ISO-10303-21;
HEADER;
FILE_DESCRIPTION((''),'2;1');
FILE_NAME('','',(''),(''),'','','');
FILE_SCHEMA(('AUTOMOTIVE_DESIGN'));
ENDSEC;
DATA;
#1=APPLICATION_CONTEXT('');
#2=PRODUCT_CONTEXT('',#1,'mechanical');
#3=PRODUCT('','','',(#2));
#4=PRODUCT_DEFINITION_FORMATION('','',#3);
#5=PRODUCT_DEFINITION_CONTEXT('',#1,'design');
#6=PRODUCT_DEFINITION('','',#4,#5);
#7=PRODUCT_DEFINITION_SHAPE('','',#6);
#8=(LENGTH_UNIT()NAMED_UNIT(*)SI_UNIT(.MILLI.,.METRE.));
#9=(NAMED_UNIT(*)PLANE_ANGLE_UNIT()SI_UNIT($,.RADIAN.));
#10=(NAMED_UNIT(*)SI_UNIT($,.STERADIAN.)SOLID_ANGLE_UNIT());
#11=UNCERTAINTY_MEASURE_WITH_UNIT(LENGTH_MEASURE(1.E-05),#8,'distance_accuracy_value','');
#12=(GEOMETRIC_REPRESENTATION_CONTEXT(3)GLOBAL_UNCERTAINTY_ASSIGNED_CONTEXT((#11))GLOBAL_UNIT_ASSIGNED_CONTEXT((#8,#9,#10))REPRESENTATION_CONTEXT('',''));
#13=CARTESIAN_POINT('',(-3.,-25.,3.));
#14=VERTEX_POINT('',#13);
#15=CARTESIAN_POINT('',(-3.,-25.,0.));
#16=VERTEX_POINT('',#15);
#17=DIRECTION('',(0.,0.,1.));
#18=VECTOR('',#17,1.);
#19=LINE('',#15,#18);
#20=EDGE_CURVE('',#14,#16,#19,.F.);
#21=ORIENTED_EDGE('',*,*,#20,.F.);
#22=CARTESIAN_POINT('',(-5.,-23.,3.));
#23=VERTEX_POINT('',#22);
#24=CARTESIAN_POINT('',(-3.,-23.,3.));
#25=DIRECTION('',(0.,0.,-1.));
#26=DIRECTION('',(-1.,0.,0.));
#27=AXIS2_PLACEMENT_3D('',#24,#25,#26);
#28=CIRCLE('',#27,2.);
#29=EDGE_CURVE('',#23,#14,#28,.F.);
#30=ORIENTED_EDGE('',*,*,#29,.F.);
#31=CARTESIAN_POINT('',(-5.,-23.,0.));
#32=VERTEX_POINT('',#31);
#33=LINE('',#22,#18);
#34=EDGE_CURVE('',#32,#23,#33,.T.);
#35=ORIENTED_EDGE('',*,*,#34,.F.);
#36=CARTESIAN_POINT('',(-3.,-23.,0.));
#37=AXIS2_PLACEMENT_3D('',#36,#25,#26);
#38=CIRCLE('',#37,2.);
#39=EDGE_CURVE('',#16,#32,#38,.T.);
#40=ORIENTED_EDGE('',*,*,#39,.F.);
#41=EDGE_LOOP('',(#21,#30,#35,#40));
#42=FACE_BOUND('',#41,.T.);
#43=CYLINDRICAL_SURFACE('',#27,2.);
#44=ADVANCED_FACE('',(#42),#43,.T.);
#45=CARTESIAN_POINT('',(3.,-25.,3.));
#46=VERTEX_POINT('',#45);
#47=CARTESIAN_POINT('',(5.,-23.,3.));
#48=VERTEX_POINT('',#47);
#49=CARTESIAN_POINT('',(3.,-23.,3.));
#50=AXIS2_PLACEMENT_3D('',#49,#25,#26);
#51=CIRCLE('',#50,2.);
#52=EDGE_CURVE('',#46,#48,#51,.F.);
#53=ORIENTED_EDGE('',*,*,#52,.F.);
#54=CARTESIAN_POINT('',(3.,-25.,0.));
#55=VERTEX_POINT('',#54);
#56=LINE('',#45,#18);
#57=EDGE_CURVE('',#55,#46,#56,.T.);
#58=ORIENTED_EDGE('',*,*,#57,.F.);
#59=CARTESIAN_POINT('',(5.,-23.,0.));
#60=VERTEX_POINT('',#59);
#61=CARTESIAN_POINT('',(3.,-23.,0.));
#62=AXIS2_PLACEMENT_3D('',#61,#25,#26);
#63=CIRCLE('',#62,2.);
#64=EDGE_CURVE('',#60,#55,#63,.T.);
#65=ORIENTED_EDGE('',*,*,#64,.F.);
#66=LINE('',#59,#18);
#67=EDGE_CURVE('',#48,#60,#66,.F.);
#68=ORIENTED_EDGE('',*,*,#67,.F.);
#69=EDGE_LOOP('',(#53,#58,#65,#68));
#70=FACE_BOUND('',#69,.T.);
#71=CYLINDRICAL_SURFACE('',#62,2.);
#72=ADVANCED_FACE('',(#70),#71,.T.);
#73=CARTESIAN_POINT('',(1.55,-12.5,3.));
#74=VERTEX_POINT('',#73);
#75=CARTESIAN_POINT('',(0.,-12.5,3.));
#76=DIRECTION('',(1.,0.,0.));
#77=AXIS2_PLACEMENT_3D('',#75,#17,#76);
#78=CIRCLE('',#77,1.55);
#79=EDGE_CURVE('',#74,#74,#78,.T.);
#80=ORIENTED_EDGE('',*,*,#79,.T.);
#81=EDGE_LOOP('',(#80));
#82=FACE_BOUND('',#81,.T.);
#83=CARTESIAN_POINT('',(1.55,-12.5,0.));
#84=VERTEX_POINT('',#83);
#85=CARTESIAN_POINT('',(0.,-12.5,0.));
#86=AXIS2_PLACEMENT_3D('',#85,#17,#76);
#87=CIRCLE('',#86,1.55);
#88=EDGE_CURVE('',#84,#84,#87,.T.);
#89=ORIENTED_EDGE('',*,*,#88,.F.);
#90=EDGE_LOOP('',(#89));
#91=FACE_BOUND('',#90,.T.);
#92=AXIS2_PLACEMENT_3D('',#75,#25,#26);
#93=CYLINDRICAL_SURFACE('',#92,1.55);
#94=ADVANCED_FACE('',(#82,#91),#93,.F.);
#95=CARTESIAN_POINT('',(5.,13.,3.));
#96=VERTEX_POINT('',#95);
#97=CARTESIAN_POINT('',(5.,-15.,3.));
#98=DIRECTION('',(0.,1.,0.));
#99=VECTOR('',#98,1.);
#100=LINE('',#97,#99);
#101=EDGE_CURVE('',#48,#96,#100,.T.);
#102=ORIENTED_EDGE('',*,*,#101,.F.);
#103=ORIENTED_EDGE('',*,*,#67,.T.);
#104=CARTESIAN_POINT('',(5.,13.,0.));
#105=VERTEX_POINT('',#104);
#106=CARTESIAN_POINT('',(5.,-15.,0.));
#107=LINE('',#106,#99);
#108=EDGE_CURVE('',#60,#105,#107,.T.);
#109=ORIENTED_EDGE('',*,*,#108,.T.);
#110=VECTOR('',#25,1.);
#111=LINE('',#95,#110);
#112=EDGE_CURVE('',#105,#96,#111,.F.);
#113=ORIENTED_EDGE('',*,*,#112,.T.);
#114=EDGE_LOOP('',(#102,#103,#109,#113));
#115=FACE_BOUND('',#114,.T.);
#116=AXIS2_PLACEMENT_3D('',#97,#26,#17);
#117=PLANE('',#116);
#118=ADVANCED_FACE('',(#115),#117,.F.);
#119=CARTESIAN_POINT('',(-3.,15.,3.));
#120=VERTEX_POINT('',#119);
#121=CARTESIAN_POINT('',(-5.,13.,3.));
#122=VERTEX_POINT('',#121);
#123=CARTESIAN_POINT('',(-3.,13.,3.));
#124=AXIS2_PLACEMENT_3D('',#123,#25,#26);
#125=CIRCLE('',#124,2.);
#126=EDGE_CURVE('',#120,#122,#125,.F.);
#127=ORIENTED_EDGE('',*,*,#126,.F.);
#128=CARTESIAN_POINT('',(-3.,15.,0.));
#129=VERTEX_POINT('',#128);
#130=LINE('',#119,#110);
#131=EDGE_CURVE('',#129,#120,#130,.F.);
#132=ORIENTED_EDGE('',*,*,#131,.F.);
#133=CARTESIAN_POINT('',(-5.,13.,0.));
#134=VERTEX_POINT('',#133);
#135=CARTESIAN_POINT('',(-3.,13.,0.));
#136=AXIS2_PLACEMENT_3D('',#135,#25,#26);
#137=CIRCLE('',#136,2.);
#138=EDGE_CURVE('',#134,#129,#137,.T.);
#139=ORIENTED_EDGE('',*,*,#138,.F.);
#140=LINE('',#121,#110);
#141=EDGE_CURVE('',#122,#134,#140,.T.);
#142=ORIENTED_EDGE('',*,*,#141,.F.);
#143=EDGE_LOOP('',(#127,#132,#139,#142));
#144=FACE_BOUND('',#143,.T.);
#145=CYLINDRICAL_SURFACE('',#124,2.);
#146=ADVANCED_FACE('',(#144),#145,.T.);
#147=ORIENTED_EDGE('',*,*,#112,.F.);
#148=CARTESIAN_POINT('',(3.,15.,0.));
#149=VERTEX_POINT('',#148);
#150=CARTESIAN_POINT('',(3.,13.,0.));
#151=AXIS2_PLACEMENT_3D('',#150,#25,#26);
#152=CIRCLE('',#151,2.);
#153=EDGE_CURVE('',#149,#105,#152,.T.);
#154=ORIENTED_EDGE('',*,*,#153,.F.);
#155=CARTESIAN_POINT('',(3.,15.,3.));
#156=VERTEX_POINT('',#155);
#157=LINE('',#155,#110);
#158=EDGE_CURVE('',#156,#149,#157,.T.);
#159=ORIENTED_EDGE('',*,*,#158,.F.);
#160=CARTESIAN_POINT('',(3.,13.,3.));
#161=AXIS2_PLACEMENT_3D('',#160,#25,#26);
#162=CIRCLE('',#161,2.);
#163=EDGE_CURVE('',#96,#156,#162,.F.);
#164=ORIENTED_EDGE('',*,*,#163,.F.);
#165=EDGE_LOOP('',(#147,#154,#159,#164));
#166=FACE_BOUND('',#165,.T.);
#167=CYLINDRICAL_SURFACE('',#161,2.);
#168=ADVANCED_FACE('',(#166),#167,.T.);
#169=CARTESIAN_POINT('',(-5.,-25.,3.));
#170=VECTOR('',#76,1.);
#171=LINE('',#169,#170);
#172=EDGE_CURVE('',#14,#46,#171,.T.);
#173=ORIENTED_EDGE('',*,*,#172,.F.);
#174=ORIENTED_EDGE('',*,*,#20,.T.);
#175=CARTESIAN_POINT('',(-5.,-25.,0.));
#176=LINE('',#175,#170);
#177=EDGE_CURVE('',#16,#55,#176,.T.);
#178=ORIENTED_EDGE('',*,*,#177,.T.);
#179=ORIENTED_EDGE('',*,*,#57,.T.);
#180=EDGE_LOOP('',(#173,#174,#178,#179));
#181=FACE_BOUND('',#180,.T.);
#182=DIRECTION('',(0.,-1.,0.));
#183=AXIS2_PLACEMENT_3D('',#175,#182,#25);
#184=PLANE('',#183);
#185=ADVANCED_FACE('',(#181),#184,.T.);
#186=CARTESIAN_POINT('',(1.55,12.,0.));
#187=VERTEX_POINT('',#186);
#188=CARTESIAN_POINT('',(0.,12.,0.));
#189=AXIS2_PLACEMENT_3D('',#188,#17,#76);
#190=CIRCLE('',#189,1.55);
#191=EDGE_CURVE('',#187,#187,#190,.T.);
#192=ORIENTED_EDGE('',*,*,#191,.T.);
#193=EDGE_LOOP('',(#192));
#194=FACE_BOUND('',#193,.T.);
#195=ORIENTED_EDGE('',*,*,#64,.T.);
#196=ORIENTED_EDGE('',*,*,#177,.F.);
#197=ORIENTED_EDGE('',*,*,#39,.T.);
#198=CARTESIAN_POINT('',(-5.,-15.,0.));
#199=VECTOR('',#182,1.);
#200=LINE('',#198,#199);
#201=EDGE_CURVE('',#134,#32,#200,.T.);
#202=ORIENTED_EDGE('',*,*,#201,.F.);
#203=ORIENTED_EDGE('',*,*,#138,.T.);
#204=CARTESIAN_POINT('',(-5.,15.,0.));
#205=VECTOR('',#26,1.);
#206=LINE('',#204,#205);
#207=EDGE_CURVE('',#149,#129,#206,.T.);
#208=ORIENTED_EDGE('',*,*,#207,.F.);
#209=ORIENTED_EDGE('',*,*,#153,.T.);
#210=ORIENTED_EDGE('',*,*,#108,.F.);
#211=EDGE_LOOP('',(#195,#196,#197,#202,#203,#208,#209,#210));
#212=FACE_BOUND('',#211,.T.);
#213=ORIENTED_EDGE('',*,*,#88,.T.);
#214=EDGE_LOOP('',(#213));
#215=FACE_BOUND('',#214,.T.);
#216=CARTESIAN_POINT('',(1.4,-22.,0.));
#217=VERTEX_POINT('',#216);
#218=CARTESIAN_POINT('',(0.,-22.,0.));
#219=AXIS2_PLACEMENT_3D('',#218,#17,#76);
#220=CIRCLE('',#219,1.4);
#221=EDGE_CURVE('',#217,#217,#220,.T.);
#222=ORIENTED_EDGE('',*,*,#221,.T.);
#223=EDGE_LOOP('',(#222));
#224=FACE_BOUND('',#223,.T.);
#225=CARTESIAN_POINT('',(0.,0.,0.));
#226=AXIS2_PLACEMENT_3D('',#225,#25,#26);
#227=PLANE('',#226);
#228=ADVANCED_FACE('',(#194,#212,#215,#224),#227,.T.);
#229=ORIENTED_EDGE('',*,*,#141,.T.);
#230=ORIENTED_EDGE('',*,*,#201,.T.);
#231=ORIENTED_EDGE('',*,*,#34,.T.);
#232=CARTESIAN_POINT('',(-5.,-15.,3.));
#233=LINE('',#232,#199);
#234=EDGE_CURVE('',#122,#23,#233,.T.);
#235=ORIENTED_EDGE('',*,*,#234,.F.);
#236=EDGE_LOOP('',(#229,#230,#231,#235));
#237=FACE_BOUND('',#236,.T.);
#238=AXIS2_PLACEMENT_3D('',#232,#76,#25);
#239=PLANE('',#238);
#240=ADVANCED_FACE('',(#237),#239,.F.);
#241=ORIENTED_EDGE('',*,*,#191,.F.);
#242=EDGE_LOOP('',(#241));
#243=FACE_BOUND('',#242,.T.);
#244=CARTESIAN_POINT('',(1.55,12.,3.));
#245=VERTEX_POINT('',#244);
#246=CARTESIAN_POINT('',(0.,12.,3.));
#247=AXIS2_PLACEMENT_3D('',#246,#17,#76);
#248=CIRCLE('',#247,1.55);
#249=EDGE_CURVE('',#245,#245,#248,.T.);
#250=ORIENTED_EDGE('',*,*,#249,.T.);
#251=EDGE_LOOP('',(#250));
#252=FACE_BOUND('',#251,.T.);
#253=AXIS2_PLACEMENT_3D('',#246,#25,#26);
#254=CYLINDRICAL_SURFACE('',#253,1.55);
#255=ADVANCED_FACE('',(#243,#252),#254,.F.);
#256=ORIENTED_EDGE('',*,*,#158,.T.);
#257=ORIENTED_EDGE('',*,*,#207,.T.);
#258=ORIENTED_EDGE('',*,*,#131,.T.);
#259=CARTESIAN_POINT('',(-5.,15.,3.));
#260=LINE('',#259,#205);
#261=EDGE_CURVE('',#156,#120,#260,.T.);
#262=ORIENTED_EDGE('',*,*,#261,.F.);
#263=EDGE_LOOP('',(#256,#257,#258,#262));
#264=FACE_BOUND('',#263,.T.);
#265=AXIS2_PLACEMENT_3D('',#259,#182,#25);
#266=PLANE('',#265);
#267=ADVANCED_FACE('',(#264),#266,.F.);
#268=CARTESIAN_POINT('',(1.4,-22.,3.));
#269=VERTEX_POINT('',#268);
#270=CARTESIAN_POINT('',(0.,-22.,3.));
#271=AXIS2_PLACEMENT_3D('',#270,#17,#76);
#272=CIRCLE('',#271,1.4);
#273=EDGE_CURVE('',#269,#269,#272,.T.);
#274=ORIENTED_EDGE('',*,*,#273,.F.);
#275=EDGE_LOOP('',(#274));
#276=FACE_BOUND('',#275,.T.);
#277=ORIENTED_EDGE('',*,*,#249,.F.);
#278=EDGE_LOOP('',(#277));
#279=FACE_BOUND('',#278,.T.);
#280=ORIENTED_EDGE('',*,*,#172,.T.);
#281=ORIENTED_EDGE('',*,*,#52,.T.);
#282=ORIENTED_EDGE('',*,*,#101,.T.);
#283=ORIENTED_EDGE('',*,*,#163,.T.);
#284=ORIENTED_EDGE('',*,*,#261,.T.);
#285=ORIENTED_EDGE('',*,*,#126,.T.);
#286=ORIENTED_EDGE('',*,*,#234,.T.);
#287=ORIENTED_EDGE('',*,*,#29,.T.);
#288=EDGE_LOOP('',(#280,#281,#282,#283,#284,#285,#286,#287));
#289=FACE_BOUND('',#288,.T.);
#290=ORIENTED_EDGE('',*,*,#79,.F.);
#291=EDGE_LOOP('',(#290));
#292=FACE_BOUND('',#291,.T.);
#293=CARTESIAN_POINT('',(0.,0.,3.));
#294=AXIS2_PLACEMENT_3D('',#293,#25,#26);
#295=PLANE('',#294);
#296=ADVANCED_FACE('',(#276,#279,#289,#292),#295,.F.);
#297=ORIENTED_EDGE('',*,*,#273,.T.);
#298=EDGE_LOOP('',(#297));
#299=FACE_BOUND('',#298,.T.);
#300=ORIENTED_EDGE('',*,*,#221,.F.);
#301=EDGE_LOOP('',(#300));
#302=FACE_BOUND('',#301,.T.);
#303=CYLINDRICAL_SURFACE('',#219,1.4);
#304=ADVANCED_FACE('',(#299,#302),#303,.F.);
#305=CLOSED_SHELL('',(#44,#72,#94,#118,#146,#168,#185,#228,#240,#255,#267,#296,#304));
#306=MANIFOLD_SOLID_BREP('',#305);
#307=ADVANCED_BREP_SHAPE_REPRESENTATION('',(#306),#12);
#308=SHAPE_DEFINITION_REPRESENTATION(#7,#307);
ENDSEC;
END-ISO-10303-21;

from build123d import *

# Parameters (mm, degrees)
ESQUISSE1_W        = 10
ESQUISSE1_H        = 30
ESQUISSE1_R        = 1.55
BOSS_EXTRU_1_DEPTH = 3
ESQUISSE3_W        = 10
ESQUISSE3_H        = 10
ESQUISSE3_R        = 1.4
BOSS_EXTRU_2_DEPTH = 3
CONG_1_R           = 2


with BuildPart() as part:
    # Esquisse1 → Boss.-Extru.1 (new body)
    with BuildSketch(Plane.XY):
        Rectangle(ESQUISSE1_W, ESQUISSE1_H)
        with Locations((0, 12)):
            Circle(ESQUISSE1_R, mode=Mode.SUBTRACT)
        with Locations((0, -12.5)):
            Circle(ESQUISSE1_R, mode=Mode.SUBTRACT)
    extrude(amount=BOSS_EXTRU_1_DEPTH)

    # Esquisse3 → Boss.-Extru.2 (add)
    with BuildSketch(Plane.XY.offset(3)):
        with Locations((0, -20)):
            Rectangle(ESQUISSE3_W, ESQUISSE3_H)
        with Locations((0, -22)):
            Circle(ESQUISSE3_R, mode=Mode.SUBTRACT)
    extrude(amount=-BOSS_EXTRU_2_DEPTH)

    # Congé1
    cong_1_edges = [part.edges().sort_by_distance(p)[0] for p in [
        (-5, -25, 1.5),
        (5, -25, 1.5),
        (-5, 15, 1.5),
        (5, 15, 1.5),
    ]]
    fillet(cong_1_edges, radius=CONG_1_R)


solid = part.part
